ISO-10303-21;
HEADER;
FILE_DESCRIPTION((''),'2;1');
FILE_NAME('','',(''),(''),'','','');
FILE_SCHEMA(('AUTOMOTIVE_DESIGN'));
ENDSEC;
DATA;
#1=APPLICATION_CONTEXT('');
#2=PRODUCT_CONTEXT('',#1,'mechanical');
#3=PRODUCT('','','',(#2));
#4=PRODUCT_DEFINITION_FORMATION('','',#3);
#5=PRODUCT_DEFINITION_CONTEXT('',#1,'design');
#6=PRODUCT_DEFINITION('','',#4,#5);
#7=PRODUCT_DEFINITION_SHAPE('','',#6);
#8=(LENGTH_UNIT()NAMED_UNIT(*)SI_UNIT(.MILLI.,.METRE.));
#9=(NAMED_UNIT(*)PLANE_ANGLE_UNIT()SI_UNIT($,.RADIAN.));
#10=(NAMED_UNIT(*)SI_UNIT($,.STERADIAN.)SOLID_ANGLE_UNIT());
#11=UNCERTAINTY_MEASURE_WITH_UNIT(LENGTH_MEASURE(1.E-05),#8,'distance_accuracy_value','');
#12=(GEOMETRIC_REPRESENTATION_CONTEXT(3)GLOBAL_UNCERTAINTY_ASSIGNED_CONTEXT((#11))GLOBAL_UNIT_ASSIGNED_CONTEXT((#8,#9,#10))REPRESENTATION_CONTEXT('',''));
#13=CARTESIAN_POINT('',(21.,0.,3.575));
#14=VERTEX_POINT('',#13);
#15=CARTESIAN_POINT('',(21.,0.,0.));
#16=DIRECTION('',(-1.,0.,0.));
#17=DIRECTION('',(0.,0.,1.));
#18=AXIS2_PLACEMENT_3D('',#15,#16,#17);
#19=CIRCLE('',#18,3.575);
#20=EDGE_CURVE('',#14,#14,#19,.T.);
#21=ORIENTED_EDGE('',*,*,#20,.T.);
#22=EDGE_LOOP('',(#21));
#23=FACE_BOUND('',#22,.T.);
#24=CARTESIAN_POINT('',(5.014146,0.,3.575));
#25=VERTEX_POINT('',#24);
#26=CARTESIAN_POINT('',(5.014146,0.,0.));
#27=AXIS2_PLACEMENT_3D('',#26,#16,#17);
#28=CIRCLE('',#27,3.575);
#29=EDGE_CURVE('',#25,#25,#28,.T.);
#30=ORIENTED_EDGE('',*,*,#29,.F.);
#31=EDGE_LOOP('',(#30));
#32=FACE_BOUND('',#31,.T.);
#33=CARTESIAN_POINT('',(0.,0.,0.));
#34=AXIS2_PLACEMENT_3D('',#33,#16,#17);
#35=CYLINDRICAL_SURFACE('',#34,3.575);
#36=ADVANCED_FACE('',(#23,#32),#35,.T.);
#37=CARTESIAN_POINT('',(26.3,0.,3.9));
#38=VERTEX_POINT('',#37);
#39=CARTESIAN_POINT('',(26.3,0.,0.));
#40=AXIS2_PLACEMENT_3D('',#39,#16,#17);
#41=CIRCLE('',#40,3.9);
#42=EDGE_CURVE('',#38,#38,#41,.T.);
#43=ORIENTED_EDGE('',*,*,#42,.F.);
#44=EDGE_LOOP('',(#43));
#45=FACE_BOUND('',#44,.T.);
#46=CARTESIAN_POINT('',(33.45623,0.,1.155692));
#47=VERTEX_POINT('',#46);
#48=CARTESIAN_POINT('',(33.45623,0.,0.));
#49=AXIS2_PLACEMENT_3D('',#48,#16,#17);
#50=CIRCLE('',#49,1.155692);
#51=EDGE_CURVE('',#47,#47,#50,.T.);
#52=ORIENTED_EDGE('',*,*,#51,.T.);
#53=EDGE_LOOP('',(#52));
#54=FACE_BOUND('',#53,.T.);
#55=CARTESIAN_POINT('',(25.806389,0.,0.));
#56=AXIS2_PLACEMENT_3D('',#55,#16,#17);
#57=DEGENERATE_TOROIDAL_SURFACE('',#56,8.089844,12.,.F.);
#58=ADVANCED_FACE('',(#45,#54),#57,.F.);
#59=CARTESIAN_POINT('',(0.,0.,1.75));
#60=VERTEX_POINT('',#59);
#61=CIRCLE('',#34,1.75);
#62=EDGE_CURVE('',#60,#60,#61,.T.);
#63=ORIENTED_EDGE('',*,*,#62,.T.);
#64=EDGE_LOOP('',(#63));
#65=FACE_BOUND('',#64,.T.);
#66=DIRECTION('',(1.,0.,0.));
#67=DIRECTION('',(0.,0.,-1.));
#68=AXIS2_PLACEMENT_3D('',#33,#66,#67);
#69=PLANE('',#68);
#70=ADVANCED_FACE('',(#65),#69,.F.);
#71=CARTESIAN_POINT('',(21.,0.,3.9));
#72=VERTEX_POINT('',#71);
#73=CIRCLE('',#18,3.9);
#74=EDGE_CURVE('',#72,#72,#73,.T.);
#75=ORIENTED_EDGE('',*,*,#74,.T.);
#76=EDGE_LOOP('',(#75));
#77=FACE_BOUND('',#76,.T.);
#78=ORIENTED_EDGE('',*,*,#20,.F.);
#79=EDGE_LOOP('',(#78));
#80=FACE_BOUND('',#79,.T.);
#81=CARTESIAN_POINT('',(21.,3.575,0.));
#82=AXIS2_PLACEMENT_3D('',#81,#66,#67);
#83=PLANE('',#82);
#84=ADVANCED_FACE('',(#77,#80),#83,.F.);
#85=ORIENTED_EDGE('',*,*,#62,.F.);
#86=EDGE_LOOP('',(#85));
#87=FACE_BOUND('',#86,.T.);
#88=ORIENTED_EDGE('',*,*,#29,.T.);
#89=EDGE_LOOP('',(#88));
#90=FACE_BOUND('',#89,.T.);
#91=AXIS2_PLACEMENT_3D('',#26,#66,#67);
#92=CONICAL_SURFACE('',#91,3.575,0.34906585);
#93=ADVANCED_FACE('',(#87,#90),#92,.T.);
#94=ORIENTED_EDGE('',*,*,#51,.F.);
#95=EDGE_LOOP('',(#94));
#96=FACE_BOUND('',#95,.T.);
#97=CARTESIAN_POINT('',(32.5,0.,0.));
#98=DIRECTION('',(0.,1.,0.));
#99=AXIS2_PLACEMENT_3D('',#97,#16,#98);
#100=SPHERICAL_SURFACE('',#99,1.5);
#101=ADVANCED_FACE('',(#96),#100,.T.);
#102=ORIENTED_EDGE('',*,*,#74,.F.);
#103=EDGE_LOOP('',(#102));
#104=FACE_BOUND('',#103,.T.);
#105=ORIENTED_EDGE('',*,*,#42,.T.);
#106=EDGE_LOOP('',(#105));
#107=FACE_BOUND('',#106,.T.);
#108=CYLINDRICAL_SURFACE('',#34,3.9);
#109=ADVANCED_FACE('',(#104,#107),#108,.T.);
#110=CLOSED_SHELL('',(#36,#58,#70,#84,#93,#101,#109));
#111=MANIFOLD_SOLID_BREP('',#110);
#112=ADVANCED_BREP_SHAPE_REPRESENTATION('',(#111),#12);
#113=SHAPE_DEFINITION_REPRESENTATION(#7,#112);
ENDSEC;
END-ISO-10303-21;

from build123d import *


with BuildPart() as part:
    # Esboço1 → Revolução1 (revolve)
    with BuildSketch(Plane.XY, mode=Mode.PRIVATE) as revolu_o1_sk:
        with BuildLine():
            Line((0, 0), (0, 1.75))
            Line((0, 1.75), (5.014146291, 3.575))
            Line((5.014146291, 3.575), (21, 3.575))
            Line((21, 3.575), (21, 3.9))
            Line((21, 3.9), (26.3, 3.9))
            ThreePointArc((26.3, 3.9), (30.103104016, 3.114541229), (33.456230179, 1.155691933))
            ThreePointArc((33.456230179, 1.155691933), (33.857266604, 0.638613628), (34, 0))
            Line((34, 0), (0, 0))
        make_face()
    revolve(revolu_o1_sk.sketch.rotate(Axis((0, 0, 0), (1, 0, 0)), 90), axis=Axis((0, 0, 0), (1, 0, 0)))


solid = part.part
